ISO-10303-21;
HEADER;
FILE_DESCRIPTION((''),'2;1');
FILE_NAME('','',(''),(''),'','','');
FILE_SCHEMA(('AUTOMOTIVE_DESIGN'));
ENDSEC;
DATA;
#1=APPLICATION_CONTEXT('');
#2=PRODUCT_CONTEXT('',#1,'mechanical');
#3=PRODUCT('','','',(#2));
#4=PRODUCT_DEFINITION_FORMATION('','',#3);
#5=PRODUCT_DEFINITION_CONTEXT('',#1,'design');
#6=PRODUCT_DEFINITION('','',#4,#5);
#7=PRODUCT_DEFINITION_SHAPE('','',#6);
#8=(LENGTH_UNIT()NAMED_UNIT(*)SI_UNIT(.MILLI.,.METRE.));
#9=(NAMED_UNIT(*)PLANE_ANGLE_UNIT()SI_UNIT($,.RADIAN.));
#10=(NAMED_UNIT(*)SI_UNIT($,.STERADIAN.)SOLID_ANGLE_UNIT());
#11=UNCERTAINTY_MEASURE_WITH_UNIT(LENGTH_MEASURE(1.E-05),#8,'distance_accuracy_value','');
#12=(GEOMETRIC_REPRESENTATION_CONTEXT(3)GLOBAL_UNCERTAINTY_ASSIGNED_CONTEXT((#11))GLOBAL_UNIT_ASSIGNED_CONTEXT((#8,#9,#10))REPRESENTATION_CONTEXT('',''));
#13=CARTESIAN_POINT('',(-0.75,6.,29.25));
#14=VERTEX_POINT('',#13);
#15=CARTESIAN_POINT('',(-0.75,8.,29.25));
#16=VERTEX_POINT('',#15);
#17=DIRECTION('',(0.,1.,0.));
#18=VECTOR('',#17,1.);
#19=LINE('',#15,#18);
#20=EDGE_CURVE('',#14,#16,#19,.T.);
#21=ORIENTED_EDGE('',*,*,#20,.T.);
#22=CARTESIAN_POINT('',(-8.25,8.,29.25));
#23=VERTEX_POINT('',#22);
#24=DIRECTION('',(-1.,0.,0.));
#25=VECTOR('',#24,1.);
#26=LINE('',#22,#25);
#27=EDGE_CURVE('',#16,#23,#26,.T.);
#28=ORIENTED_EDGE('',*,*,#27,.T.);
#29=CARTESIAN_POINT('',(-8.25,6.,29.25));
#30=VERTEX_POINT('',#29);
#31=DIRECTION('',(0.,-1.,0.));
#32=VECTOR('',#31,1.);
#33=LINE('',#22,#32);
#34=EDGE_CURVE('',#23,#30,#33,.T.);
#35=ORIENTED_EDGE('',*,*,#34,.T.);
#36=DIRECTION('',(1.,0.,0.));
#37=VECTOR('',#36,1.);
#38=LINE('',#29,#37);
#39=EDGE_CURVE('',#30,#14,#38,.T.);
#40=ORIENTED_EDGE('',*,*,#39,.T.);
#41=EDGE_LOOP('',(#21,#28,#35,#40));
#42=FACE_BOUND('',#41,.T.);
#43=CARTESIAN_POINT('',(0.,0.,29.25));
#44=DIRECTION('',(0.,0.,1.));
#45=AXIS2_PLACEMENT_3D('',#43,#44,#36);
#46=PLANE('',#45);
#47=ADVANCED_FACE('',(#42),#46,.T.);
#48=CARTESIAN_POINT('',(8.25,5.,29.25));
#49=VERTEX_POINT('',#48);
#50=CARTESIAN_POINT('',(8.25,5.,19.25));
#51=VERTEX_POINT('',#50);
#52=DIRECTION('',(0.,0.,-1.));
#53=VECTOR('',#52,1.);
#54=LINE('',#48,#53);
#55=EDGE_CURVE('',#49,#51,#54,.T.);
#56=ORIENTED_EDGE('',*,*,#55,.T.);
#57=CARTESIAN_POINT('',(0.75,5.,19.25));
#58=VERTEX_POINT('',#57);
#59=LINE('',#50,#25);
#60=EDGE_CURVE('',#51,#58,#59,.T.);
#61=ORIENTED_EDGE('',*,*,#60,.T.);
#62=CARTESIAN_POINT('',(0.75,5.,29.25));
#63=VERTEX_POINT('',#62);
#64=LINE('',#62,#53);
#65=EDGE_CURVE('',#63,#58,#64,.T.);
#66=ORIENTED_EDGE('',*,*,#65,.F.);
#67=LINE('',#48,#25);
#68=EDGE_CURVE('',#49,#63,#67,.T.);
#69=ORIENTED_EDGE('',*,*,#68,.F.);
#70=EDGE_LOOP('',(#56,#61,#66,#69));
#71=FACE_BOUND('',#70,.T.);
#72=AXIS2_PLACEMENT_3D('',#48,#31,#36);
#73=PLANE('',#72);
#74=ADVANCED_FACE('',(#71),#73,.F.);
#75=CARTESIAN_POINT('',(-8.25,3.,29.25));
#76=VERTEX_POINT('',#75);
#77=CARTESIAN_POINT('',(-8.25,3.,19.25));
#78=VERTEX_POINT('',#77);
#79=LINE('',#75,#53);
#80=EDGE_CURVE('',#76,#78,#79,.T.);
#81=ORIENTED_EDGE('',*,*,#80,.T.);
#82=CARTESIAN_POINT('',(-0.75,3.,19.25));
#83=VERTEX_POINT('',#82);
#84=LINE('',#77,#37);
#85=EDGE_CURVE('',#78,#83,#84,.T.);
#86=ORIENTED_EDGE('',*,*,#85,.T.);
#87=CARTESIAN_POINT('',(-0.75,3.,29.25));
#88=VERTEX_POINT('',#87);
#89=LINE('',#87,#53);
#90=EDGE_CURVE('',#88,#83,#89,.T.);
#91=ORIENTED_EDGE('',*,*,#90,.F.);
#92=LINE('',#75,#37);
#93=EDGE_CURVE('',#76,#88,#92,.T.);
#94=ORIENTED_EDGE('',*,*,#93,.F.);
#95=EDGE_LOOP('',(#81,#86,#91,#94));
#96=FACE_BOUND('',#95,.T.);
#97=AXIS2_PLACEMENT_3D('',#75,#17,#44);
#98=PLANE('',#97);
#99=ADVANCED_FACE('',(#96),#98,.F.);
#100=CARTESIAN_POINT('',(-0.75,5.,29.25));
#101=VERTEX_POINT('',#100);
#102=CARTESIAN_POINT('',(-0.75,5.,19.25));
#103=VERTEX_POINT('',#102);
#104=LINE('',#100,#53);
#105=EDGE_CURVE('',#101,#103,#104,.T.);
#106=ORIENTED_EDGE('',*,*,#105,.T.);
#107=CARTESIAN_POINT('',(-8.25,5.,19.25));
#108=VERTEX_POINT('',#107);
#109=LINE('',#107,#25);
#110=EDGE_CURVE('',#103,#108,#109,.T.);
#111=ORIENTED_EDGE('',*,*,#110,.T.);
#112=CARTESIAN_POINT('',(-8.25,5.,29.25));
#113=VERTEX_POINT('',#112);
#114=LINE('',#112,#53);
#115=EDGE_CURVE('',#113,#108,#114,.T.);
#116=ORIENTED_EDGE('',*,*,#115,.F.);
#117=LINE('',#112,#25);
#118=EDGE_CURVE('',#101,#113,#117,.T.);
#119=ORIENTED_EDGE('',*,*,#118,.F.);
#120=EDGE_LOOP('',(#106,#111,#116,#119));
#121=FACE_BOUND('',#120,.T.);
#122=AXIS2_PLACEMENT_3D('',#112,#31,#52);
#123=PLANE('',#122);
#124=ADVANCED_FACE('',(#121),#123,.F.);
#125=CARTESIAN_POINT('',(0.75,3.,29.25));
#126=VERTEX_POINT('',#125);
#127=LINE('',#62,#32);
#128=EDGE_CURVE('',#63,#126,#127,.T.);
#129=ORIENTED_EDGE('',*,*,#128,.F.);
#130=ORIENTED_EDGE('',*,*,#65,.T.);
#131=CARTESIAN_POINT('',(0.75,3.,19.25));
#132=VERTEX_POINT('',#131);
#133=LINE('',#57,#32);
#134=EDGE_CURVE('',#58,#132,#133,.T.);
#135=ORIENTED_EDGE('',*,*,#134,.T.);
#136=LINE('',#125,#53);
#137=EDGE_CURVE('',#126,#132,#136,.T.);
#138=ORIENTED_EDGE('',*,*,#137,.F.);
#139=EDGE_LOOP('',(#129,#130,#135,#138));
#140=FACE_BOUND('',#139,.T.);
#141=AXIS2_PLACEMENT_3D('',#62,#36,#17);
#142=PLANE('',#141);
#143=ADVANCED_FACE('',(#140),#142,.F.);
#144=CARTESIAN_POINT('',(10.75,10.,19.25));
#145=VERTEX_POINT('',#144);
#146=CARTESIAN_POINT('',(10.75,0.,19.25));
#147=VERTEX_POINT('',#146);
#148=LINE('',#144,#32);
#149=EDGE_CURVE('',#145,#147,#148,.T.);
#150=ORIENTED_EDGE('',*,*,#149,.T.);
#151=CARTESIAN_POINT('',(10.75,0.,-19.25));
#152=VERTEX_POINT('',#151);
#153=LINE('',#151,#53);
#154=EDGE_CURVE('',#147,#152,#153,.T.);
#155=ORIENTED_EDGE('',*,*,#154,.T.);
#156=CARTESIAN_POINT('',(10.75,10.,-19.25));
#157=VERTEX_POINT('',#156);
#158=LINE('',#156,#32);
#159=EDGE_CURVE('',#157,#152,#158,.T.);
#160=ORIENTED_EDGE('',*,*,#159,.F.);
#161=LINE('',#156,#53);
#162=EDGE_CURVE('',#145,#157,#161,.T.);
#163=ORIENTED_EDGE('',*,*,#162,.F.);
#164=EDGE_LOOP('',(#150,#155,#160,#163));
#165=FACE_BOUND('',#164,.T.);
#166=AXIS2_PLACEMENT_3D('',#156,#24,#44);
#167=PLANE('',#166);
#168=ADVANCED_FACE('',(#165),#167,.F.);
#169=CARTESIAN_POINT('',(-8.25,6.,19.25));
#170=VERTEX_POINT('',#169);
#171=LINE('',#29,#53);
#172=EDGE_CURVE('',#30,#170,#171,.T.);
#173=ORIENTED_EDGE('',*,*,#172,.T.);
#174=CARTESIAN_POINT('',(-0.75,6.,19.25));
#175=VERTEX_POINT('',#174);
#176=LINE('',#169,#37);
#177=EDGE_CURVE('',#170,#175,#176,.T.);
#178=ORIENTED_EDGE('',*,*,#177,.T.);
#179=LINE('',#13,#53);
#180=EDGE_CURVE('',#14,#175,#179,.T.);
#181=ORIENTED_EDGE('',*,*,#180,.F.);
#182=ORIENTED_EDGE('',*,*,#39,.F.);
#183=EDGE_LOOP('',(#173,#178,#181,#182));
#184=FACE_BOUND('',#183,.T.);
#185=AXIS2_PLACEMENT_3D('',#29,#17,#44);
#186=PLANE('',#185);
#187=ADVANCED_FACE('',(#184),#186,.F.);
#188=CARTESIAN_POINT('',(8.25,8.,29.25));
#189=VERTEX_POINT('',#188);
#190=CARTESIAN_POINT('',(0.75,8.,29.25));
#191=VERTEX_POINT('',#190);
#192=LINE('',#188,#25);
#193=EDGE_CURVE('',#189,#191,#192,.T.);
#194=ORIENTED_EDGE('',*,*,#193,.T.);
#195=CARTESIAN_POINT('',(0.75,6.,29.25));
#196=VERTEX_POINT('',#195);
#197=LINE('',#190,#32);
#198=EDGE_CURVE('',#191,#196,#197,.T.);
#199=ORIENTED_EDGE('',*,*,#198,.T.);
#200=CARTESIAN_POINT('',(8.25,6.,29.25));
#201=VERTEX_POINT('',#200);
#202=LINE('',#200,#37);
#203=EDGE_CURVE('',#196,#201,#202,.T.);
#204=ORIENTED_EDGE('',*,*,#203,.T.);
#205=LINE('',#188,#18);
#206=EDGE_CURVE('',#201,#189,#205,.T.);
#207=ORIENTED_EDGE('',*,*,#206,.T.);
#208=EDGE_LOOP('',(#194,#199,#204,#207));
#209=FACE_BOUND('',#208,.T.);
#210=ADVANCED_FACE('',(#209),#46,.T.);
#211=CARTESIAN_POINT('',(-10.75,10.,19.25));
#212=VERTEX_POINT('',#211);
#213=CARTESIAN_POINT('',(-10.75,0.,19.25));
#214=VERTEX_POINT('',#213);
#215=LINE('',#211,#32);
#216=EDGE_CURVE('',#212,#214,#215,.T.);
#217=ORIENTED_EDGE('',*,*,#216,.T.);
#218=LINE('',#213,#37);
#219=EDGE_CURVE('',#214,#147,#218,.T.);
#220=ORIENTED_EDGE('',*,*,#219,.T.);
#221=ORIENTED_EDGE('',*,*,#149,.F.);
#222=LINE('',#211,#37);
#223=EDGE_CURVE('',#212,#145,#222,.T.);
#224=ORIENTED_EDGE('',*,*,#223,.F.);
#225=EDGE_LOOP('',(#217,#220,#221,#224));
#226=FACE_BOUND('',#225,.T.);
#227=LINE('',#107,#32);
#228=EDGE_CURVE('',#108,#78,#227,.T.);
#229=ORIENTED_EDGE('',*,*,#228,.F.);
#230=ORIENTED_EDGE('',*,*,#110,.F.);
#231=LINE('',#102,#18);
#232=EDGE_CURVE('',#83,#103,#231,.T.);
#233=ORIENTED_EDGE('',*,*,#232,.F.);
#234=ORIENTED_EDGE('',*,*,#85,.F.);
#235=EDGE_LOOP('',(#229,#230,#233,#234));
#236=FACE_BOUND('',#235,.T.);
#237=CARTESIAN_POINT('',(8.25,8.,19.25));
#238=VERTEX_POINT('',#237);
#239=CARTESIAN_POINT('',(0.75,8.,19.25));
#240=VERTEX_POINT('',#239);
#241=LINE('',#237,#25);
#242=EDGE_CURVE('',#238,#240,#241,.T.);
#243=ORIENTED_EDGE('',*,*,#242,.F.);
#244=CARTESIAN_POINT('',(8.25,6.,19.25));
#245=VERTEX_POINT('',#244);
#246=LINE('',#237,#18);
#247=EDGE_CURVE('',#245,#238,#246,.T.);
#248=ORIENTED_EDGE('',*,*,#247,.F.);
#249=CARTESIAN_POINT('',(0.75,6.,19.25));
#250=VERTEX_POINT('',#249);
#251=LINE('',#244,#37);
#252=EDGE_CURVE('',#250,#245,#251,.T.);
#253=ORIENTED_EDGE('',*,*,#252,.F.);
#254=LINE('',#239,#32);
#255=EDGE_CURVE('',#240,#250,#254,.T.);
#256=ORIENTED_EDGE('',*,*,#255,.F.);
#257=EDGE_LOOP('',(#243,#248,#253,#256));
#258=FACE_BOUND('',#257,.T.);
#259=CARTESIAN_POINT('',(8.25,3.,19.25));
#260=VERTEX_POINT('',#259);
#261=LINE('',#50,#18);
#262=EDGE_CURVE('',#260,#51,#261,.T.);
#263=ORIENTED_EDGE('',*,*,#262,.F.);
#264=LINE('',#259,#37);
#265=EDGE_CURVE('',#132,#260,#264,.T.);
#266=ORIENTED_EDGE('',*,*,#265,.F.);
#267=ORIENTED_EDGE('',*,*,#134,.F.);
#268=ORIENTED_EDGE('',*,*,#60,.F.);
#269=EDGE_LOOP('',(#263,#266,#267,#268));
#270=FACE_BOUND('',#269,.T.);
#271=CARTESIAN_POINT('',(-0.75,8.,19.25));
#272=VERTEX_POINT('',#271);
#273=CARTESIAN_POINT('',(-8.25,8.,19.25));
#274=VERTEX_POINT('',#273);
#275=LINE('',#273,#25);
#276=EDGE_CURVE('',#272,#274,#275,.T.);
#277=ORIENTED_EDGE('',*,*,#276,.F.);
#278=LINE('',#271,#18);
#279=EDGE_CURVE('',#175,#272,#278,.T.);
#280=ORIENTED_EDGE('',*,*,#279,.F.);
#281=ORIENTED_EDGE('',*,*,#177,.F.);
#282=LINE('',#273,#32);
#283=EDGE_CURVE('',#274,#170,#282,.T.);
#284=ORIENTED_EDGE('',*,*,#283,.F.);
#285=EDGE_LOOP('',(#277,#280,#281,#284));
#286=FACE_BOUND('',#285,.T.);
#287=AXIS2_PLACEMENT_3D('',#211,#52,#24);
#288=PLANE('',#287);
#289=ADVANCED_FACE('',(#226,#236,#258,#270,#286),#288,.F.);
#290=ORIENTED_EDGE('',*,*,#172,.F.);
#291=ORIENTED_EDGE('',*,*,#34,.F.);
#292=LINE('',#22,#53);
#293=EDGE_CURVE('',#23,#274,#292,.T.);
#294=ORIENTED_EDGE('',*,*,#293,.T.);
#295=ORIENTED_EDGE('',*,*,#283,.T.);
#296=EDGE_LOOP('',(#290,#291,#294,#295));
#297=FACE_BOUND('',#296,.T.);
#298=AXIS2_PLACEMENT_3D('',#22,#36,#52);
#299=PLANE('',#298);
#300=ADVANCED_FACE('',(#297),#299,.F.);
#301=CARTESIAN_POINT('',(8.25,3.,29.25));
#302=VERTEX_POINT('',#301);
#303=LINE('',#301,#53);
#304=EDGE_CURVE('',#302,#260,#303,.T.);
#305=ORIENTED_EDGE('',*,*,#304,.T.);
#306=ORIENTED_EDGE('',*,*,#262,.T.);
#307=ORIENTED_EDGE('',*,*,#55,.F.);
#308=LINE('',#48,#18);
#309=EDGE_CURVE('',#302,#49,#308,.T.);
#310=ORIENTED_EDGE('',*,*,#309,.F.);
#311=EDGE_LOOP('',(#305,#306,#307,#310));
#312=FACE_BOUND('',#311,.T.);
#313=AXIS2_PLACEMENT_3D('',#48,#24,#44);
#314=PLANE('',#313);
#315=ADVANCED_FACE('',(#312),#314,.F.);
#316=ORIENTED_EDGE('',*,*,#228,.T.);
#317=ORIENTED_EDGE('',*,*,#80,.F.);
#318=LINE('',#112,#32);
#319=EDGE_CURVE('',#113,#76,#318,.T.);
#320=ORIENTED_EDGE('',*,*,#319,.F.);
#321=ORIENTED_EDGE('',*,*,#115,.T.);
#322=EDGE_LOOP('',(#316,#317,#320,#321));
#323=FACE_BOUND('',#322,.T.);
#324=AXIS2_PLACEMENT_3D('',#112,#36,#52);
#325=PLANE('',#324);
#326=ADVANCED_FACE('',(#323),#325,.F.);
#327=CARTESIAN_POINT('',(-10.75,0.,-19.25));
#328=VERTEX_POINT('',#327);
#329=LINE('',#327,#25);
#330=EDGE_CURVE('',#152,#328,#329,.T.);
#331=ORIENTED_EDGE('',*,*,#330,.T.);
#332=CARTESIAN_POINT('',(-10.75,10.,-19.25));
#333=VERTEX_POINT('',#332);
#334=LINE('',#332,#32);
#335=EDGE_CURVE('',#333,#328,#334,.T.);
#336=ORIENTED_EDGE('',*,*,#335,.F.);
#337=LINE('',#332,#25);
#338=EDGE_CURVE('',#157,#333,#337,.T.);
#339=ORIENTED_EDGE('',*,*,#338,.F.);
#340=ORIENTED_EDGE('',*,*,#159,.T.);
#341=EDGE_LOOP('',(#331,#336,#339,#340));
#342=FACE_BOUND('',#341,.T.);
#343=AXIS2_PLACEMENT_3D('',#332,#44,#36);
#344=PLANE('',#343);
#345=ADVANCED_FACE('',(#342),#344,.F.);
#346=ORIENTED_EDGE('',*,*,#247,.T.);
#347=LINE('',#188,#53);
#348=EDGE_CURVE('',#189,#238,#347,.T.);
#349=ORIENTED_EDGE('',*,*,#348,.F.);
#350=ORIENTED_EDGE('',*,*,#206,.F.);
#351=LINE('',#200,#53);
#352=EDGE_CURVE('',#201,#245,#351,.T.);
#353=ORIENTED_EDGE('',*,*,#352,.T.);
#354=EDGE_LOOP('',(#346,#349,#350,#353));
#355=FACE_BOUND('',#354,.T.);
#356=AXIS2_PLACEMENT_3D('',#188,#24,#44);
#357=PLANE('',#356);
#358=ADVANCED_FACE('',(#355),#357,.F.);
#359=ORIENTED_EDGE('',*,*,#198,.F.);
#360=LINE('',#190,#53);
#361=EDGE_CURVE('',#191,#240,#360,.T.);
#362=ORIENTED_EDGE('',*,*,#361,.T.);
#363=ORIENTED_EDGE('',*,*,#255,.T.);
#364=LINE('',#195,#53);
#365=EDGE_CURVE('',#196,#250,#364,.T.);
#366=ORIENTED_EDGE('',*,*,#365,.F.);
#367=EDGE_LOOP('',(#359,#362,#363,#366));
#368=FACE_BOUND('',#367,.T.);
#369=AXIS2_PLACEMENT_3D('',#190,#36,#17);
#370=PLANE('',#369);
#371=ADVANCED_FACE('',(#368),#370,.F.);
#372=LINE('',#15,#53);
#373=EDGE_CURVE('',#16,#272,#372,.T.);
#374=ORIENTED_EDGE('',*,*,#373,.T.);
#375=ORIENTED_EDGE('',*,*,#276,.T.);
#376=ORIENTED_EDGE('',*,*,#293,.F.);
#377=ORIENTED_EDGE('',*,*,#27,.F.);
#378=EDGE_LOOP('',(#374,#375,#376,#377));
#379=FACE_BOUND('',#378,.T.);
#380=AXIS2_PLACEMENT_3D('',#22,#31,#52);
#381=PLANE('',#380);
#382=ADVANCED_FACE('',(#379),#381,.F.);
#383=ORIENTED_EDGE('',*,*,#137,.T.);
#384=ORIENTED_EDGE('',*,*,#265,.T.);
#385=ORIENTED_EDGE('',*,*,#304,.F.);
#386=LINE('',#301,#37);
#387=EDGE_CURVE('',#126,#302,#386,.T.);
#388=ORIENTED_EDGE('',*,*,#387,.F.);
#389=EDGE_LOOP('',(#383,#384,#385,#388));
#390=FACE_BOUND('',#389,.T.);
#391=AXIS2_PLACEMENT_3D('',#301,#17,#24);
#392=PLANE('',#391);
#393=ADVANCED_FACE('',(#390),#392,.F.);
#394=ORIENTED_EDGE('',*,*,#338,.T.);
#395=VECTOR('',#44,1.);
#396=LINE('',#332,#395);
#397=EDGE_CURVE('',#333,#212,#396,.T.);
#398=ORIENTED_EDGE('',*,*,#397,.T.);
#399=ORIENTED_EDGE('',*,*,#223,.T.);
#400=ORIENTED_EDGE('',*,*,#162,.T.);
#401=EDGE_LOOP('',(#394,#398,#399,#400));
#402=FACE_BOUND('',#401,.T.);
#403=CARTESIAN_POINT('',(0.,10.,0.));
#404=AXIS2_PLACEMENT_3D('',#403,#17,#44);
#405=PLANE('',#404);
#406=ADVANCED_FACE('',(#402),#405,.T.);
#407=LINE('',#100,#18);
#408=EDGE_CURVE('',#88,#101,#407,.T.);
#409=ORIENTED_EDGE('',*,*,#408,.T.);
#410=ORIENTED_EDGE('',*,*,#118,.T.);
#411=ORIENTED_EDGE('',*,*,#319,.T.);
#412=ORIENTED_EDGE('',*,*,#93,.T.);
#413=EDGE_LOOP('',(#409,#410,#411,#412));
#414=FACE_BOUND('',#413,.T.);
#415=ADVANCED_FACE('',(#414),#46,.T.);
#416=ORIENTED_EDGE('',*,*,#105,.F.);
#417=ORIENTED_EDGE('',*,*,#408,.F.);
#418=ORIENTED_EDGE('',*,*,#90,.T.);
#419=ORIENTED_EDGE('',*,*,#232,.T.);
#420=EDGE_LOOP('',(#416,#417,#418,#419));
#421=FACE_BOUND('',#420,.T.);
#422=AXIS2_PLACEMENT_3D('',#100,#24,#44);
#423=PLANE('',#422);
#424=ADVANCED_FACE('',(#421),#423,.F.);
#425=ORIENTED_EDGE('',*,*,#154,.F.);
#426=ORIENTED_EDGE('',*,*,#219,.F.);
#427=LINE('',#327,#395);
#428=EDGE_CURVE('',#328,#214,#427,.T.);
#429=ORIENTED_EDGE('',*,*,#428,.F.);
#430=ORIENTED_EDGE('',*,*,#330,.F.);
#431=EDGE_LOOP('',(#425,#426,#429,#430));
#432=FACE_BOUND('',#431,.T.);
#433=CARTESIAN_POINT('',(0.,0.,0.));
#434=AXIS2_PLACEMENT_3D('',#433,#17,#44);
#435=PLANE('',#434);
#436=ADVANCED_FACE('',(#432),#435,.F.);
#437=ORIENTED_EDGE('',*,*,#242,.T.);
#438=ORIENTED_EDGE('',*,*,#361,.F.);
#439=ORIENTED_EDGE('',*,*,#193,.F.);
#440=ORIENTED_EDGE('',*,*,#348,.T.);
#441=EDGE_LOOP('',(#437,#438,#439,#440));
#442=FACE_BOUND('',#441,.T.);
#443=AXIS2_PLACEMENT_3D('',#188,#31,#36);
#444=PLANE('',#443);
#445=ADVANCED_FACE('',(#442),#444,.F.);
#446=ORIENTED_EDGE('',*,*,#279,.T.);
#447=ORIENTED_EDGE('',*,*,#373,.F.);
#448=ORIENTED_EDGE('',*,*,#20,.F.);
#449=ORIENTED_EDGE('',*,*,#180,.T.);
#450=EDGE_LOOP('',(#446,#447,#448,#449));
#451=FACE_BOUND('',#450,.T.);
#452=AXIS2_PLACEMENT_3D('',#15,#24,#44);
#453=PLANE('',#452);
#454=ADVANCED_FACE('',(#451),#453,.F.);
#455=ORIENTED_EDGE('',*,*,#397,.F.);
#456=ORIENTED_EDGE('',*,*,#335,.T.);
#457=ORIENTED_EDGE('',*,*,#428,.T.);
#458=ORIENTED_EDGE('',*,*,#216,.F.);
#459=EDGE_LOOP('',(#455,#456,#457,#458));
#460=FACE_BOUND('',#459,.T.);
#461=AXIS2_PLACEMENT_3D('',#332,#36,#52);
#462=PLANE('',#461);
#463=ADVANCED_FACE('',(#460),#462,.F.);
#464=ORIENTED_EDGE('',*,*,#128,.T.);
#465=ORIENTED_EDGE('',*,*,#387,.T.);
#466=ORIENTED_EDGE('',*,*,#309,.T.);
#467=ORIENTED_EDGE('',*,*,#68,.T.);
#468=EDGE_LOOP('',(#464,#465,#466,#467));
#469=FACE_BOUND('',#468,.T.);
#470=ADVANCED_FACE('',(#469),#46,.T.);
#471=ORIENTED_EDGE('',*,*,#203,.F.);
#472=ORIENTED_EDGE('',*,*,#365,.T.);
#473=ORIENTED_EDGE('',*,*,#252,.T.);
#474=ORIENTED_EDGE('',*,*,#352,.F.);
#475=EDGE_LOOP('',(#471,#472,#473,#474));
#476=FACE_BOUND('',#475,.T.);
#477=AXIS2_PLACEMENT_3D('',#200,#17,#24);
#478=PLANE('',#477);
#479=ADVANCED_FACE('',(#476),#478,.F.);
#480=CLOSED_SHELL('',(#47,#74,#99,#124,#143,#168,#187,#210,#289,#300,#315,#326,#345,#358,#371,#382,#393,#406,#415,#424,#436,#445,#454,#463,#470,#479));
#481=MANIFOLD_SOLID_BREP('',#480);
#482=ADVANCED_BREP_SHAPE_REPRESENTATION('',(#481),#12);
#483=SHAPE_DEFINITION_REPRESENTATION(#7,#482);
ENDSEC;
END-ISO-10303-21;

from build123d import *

# Parameters (mm, degrees)
SKETCH1_W           = 21.5
SKETCH1_H           = 38.5
BOSS_EXTRUDE1_DEPTH = 10
SKETCH2_W           = 7.5
SKETCH2_H           = 2
BOSS_EXTRUDE2_DEPTH = 10


with BuildPart() as part:
    # Sketch1 → Boss-Extrude1 (new body)
    with BuildSketch(Plane(origin=(0, 0, 0), x_dir=(1, 0, 0), z_dir=(0, 1, 0))):
        Rectangle(SKETCH1_W, SKETCH1_H)
    extrude(amount=BOSS_EXTRUDE1_DEPTH)

    # Sketch2 → Boss-Extrude2 (add)
    with BuildSketch(Plane.XY.offset(19.25)):
        with Locations((-4.5, 7)):
            Rectangle(SKETCH2_W, SKETCH2_H)
        with Locations((4.5, 4)):
            Rectangle(SKETCH2_W, SKETCH2_H)
        with Locations((-4.5, 4)):
            Rectangle(SKETCH2_W, SKETCH2_H)
        with Locations((4.5, 7)):
            Rectangle(SKETCH2_W, SKETCH2_H)
    extrude(amount=BOSS_EXTRUDE2_DEPTH)


solid = part.part
